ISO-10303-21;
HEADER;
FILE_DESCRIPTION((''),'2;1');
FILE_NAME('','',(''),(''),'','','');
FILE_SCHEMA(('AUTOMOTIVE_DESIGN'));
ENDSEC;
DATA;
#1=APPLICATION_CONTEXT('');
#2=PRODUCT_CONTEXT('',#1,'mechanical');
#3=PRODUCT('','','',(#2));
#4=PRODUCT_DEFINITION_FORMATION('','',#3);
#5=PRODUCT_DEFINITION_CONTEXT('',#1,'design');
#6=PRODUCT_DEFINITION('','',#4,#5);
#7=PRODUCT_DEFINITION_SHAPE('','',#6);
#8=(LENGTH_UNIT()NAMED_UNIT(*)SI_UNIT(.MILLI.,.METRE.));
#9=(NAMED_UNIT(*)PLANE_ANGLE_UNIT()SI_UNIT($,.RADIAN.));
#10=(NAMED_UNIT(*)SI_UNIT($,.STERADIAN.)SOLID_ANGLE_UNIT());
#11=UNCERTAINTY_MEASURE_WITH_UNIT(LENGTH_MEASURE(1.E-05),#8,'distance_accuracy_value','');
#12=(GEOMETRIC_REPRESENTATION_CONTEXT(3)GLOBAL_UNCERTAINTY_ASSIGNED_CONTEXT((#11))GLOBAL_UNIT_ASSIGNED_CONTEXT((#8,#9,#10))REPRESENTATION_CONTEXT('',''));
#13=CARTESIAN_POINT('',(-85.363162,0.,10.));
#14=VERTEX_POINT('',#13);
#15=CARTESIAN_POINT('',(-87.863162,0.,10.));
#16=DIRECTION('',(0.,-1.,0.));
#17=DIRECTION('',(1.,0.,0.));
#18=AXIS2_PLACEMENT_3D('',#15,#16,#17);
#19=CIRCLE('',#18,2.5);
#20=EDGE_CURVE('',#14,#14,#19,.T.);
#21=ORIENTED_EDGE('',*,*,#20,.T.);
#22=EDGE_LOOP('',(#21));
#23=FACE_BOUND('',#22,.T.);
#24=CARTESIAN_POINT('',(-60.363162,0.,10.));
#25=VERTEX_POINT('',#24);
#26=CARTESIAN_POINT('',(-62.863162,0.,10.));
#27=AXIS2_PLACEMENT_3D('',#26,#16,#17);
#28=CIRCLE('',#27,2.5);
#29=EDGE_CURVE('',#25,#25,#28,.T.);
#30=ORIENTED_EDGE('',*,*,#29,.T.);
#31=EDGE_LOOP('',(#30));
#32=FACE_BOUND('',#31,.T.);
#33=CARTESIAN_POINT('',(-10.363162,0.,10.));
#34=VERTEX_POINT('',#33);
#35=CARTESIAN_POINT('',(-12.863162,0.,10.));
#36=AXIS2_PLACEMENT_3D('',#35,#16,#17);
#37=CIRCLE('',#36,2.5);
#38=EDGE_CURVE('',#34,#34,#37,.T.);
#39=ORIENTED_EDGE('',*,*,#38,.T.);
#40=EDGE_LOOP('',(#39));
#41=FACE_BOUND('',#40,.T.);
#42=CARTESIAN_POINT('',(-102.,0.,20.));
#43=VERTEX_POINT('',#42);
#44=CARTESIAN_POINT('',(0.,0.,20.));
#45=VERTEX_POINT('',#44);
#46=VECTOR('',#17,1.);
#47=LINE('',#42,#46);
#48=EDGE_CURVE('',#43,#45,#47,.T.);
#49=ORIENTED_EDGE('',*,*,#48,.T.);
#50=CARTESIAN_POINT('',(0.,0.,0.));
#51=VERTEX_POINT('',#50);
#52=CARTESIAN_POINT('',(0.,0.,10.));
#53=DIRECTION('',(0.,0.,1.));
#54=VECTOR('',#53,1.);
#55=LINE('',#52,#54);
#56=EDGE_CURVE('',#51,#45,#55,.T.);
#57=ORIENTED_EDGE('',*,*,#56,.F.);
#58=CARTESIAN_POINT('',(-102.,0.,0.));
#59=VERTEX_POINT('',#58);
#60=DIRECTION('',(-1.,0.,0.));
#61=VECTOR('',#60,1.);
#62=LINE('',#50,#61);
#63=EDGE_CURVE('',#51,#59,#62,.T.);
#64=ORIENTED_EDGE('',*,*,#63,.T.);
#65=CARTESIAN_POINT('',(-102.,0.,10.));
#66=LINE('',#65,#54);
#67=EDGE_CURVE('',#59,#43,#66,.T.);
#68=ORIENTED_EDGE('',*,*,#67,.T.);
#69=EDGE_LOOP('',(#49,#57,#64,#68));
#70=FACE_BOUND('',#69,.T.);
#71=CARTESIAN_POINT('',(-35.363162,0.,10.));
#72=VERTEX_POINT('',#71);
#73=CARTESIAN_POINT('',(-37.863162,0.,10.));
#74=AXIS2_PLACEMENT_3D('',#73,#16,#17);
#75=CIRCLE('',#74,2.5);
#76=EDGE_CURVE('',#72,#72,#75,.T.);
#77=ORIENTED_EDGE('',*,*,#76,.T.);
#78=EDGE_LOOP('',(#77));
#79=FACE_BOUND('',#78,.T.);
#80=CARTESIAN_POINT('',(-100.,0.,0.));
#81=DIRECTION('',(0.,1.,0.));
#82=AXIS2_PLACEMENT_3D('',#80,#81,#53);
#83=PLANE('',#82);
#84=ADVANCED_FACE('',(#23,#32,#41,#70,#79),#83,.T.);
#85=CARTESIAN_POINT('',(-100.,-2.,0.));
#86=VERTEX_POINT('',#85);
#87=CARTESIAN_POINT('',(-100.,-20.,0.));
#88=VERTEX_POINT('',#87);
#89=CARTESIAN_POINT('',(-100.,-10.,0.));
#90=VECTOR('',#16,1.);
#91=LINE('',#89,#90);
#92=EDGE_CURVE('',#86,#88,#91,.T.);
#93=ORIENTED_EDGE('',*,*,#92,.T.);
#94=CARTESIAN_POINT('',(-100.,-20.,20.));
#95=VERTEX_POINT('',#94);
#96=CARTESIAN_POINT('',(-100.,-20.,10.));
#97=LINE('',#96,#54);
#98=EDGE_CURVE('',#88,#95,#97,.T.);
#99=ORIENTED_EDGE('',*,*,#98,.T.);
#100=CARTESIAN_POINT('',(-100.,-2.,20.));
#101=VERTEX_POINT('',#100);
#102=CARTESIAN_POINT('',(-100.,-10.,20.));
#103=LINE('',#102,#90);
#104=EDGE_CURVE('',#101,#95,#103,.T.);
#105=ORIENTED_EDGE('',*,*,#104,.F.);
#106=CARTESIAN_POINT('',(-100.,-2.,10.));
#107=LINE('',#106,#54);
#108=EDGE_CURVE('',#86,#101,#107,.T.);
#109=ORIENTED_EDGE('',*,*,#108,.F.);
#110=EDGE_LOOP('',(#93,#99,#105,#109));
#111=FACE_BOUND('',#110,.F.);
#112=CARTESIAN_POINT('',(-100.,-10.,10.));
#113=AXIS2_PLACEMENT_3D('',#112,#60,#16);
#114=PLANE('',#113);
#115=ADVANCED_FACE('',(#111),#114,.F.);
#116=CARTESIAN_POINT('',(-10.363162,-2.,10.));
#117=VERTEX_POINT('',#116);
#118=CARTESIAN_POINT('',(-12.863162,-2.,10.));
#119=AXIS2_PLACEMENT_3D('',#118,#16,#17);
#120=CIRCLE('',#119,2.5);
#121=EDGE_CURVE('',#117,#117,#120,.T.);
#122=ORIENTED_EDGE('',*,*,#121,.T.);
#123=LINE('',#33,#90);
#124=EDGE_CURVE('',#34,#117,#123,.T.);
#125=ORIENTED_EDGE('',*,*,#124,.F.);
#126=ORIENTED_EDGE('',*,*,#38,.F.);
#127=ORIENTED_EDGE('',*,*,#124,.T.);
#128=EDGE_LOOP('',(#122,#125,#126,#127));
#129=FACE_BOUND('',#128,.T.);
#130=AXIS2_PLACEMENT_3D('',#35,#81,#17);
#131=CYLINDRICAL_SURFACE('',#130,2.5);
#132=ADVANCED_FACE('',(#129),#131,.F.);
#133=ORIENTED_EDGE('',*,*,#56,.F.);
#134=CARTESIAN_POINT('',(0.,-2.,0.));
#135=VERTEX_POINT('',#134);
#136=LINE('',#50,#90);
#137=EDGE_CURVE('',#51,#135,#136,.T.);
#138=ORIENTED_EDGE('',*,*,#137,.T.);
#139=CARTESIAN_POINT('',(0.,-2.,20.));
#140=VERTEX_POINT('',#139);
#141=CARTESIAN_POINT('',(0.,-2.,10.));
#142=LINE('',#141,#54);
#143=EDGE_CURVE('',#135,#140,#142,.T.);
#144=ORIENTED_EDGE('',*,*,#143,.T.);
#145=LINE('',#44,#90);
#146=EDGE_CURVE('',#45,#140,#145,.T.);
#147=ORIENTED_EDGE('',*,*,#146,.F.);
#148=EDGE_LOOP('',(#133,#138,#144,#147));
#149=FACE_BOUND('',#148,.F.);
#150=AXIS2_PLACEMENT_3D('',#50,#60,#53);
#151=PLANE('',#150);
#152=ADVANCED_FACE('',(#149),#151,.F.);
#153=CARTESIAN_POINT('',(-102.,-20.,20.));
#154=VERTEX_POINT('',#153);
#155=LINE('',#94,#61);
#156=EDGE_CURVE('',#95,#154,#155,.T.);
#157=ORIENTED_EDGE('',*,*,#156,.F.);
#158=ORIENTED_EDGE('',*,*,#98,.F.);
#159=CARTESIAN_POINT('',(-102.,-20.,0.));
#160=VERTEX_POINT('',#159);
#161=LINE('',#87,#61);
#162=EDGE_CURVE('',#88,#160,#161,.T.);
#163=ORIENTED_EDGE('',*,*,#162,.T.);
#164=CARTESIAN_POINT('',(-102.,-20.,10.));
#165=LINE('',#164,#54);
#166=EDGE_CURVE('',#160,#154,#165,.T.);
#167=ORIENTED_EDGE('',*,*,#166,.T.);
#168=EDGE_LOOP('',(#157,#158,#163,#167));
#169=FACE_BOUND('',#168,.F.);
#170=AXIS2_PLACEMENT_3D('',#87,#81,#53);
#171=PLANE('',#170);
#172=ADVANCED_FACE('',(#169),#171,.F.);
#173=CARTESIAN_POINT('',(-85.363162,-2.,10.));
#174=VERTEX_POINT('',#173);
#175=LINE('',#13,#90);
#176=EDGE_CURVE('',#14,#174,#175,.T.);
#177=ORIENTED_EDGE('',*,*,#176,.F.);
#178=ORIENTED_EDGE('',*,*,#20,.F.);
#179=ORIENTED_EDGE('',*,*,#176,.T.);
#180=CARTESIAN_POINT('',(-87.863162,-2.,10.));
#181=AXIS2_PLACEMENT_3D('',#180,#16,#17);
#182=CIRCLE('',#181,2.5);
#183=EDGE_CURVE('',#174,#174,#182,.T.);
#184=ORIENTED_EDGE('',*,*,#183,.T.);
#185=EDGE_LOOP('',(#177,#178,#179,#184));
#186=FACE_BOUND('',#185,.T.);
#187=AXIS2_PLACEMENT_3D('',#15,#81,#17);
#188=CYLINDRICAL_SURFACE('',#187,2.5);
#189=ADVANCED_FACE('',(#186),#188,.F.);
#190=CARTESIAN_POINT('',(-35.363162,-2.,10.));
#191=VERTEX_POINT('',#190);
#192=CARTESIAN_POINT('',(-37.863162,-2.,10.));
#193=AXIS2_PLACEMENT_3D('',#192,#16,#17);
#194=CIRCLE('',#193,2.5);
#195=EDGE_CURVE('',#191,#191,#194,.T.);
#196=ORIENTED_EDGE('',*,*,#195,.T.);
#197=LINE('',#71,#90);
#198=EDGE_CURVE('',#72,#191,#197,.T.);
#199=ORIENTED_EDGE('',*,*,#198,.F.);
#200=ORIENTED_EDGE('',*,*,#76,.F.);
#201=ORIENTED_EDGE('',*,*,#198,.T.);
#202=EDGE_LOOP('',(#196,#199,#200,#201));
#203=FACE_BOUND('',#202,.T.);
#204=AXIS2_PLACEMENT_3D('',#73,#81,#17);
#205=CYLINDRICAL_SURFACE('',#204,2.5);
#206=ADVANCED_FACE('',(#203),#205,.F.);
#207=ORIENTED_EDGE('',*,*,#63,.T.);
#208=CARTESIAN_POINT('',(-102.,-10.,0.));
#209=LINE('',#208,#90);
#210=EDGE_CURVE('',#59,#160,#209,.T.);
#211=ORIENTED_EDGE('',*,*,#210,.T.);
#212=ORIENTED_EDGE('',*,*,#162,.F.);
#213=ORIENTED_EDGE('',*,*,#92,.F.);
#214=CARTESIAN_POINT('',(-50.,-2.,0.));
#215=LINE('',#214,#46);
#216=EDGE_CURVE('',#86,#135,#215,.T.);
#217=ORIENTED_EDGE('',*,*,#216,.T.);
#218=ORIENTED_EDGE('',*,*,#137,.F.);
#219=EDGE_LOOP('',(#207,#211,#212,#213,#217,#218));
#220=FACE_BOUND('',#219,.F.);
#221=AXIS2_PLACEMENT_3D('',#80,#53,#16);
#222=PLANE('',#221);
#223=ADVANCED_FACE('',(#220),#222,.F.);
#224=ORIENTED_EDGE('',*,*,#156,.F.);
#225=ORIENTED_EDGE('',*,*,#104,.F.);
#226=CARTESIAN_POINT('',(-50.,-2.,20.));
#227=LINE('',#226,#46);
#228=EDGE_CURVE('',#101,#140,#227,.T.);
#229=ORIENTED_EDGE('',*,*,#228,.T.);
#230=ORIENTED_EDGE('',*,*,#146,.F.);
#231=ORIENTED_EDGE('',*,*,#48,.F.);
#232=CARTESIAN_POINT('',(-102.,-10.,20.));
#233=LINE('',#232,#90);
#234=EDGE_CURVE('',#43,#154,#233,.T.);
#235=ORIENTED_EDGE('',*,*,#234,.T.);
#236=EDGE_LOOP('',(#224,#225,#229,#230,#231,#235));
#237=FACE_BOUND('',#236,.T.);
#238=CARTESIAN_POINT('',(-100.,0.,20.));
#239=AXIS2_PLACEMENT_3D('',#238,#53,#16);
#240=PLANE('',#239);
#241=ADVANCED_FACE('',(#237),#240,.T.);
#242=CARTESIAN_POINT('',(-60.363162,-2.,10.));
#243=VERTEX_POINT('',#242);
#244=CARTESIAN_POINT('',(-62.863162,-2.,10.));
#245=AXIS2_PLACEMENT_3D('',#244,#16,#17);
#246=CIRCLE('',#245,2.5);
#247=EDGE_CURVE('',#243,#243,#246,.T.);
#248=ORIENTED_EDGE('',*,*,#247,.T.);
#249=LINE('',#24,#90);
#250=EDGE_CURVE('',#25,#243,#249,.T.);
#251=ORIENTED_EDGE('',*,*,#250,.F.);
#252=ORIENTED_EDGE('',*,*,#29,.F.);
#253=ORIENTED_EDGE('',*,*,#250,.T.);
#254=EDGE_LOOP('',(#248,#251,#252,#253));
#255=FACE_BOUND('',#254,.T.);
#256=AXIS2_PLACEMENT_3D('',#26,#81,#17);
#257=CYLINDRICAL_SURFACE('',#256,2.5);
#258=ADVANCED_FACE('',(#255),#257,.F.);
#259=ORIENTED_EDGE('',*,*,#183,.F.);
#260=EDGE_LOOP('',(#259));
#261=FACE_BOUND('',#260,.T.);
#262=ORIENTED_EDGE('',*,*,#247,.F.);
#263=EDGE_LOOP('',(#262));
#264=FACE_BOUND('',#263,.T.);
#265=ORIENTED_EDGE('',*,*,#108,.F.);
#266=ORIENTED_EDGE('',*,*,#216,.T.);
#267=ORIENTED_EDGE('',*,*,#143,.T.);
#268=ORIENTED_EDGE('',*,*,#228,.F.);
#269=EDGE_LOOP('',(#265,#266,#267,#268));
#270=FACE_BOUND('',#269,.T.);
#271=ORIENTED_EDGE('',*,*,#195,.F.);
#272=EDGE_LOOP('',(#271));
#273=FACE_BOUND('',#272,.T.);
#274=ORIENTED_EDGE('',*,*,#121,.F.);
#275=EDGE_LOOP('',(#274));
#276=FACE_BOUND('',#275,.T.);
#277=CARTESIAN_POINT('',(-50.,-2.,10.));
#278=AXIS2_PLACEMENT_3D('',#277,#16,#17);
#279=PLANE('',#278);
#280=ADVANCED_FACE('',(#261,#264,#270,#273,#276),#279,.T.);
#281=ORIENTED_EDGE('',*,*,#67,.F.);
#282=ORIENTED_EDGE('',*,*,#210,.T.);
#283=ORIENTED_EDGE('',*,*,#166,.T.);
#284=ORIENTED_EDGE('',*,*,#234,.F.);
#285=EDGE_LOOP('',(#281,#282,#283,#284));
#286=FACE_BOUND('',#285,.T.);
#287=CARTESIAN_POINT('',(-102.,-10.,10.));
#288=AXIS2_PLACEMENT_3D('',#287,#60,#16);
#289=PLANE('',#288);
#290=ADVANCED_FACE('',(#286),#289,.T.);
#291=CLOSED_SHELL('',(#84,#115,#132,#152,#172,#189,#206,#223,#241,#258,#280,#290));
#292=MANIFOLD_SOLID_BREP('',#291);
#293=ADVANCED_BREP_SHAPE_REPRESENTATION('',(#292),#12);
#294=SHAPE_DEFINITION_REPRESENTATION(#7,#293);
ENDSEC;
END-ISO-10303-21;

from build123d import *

# Parameters (mm, degrees)
F0_W     = 100
F0_H     = 20
F0_R     = 2.5
F1_DEPTH = 2
F2_W     = 20
F2_H     = 20
F3_DEPTH = 2


with BuildPart() as f1:
    # F0 (on Front) → F1 (new body)
    with BuildSketch(Plane.XZ):
        with Locations((-50, 10)):
            Rectangle(F0_W, F0_H)
        with Locations((-87.863162, 10)):
            Circle(F0_R, mode=Mode.SUBTRACT)
        with Locations((-62.863162, 10)):
            Circle(F0_R, mode=Mode.SUBTRACT)
        with Locations((-37.863162, 10)):
            Circle(F0_R, mode=Mode.SUBTRACT)
        with Locations((-12.863162, 10)):
            Circle(F0_R, mode=Mode.SUBTRACT)
    extrude(amount=F1_DEPTH)

    # F2 (on face) → F3 (join)
    with BuildSketch(Plane(origin=(-100, 0, 0), x_dir=(0, -1, 0), z_dir=(-1, 0, 0))):
        with Locations((10, 10)):
            Rectangle(F2_W, F2_H)
    extrude(amount=F3_DEPTH)


solid = f1.part
